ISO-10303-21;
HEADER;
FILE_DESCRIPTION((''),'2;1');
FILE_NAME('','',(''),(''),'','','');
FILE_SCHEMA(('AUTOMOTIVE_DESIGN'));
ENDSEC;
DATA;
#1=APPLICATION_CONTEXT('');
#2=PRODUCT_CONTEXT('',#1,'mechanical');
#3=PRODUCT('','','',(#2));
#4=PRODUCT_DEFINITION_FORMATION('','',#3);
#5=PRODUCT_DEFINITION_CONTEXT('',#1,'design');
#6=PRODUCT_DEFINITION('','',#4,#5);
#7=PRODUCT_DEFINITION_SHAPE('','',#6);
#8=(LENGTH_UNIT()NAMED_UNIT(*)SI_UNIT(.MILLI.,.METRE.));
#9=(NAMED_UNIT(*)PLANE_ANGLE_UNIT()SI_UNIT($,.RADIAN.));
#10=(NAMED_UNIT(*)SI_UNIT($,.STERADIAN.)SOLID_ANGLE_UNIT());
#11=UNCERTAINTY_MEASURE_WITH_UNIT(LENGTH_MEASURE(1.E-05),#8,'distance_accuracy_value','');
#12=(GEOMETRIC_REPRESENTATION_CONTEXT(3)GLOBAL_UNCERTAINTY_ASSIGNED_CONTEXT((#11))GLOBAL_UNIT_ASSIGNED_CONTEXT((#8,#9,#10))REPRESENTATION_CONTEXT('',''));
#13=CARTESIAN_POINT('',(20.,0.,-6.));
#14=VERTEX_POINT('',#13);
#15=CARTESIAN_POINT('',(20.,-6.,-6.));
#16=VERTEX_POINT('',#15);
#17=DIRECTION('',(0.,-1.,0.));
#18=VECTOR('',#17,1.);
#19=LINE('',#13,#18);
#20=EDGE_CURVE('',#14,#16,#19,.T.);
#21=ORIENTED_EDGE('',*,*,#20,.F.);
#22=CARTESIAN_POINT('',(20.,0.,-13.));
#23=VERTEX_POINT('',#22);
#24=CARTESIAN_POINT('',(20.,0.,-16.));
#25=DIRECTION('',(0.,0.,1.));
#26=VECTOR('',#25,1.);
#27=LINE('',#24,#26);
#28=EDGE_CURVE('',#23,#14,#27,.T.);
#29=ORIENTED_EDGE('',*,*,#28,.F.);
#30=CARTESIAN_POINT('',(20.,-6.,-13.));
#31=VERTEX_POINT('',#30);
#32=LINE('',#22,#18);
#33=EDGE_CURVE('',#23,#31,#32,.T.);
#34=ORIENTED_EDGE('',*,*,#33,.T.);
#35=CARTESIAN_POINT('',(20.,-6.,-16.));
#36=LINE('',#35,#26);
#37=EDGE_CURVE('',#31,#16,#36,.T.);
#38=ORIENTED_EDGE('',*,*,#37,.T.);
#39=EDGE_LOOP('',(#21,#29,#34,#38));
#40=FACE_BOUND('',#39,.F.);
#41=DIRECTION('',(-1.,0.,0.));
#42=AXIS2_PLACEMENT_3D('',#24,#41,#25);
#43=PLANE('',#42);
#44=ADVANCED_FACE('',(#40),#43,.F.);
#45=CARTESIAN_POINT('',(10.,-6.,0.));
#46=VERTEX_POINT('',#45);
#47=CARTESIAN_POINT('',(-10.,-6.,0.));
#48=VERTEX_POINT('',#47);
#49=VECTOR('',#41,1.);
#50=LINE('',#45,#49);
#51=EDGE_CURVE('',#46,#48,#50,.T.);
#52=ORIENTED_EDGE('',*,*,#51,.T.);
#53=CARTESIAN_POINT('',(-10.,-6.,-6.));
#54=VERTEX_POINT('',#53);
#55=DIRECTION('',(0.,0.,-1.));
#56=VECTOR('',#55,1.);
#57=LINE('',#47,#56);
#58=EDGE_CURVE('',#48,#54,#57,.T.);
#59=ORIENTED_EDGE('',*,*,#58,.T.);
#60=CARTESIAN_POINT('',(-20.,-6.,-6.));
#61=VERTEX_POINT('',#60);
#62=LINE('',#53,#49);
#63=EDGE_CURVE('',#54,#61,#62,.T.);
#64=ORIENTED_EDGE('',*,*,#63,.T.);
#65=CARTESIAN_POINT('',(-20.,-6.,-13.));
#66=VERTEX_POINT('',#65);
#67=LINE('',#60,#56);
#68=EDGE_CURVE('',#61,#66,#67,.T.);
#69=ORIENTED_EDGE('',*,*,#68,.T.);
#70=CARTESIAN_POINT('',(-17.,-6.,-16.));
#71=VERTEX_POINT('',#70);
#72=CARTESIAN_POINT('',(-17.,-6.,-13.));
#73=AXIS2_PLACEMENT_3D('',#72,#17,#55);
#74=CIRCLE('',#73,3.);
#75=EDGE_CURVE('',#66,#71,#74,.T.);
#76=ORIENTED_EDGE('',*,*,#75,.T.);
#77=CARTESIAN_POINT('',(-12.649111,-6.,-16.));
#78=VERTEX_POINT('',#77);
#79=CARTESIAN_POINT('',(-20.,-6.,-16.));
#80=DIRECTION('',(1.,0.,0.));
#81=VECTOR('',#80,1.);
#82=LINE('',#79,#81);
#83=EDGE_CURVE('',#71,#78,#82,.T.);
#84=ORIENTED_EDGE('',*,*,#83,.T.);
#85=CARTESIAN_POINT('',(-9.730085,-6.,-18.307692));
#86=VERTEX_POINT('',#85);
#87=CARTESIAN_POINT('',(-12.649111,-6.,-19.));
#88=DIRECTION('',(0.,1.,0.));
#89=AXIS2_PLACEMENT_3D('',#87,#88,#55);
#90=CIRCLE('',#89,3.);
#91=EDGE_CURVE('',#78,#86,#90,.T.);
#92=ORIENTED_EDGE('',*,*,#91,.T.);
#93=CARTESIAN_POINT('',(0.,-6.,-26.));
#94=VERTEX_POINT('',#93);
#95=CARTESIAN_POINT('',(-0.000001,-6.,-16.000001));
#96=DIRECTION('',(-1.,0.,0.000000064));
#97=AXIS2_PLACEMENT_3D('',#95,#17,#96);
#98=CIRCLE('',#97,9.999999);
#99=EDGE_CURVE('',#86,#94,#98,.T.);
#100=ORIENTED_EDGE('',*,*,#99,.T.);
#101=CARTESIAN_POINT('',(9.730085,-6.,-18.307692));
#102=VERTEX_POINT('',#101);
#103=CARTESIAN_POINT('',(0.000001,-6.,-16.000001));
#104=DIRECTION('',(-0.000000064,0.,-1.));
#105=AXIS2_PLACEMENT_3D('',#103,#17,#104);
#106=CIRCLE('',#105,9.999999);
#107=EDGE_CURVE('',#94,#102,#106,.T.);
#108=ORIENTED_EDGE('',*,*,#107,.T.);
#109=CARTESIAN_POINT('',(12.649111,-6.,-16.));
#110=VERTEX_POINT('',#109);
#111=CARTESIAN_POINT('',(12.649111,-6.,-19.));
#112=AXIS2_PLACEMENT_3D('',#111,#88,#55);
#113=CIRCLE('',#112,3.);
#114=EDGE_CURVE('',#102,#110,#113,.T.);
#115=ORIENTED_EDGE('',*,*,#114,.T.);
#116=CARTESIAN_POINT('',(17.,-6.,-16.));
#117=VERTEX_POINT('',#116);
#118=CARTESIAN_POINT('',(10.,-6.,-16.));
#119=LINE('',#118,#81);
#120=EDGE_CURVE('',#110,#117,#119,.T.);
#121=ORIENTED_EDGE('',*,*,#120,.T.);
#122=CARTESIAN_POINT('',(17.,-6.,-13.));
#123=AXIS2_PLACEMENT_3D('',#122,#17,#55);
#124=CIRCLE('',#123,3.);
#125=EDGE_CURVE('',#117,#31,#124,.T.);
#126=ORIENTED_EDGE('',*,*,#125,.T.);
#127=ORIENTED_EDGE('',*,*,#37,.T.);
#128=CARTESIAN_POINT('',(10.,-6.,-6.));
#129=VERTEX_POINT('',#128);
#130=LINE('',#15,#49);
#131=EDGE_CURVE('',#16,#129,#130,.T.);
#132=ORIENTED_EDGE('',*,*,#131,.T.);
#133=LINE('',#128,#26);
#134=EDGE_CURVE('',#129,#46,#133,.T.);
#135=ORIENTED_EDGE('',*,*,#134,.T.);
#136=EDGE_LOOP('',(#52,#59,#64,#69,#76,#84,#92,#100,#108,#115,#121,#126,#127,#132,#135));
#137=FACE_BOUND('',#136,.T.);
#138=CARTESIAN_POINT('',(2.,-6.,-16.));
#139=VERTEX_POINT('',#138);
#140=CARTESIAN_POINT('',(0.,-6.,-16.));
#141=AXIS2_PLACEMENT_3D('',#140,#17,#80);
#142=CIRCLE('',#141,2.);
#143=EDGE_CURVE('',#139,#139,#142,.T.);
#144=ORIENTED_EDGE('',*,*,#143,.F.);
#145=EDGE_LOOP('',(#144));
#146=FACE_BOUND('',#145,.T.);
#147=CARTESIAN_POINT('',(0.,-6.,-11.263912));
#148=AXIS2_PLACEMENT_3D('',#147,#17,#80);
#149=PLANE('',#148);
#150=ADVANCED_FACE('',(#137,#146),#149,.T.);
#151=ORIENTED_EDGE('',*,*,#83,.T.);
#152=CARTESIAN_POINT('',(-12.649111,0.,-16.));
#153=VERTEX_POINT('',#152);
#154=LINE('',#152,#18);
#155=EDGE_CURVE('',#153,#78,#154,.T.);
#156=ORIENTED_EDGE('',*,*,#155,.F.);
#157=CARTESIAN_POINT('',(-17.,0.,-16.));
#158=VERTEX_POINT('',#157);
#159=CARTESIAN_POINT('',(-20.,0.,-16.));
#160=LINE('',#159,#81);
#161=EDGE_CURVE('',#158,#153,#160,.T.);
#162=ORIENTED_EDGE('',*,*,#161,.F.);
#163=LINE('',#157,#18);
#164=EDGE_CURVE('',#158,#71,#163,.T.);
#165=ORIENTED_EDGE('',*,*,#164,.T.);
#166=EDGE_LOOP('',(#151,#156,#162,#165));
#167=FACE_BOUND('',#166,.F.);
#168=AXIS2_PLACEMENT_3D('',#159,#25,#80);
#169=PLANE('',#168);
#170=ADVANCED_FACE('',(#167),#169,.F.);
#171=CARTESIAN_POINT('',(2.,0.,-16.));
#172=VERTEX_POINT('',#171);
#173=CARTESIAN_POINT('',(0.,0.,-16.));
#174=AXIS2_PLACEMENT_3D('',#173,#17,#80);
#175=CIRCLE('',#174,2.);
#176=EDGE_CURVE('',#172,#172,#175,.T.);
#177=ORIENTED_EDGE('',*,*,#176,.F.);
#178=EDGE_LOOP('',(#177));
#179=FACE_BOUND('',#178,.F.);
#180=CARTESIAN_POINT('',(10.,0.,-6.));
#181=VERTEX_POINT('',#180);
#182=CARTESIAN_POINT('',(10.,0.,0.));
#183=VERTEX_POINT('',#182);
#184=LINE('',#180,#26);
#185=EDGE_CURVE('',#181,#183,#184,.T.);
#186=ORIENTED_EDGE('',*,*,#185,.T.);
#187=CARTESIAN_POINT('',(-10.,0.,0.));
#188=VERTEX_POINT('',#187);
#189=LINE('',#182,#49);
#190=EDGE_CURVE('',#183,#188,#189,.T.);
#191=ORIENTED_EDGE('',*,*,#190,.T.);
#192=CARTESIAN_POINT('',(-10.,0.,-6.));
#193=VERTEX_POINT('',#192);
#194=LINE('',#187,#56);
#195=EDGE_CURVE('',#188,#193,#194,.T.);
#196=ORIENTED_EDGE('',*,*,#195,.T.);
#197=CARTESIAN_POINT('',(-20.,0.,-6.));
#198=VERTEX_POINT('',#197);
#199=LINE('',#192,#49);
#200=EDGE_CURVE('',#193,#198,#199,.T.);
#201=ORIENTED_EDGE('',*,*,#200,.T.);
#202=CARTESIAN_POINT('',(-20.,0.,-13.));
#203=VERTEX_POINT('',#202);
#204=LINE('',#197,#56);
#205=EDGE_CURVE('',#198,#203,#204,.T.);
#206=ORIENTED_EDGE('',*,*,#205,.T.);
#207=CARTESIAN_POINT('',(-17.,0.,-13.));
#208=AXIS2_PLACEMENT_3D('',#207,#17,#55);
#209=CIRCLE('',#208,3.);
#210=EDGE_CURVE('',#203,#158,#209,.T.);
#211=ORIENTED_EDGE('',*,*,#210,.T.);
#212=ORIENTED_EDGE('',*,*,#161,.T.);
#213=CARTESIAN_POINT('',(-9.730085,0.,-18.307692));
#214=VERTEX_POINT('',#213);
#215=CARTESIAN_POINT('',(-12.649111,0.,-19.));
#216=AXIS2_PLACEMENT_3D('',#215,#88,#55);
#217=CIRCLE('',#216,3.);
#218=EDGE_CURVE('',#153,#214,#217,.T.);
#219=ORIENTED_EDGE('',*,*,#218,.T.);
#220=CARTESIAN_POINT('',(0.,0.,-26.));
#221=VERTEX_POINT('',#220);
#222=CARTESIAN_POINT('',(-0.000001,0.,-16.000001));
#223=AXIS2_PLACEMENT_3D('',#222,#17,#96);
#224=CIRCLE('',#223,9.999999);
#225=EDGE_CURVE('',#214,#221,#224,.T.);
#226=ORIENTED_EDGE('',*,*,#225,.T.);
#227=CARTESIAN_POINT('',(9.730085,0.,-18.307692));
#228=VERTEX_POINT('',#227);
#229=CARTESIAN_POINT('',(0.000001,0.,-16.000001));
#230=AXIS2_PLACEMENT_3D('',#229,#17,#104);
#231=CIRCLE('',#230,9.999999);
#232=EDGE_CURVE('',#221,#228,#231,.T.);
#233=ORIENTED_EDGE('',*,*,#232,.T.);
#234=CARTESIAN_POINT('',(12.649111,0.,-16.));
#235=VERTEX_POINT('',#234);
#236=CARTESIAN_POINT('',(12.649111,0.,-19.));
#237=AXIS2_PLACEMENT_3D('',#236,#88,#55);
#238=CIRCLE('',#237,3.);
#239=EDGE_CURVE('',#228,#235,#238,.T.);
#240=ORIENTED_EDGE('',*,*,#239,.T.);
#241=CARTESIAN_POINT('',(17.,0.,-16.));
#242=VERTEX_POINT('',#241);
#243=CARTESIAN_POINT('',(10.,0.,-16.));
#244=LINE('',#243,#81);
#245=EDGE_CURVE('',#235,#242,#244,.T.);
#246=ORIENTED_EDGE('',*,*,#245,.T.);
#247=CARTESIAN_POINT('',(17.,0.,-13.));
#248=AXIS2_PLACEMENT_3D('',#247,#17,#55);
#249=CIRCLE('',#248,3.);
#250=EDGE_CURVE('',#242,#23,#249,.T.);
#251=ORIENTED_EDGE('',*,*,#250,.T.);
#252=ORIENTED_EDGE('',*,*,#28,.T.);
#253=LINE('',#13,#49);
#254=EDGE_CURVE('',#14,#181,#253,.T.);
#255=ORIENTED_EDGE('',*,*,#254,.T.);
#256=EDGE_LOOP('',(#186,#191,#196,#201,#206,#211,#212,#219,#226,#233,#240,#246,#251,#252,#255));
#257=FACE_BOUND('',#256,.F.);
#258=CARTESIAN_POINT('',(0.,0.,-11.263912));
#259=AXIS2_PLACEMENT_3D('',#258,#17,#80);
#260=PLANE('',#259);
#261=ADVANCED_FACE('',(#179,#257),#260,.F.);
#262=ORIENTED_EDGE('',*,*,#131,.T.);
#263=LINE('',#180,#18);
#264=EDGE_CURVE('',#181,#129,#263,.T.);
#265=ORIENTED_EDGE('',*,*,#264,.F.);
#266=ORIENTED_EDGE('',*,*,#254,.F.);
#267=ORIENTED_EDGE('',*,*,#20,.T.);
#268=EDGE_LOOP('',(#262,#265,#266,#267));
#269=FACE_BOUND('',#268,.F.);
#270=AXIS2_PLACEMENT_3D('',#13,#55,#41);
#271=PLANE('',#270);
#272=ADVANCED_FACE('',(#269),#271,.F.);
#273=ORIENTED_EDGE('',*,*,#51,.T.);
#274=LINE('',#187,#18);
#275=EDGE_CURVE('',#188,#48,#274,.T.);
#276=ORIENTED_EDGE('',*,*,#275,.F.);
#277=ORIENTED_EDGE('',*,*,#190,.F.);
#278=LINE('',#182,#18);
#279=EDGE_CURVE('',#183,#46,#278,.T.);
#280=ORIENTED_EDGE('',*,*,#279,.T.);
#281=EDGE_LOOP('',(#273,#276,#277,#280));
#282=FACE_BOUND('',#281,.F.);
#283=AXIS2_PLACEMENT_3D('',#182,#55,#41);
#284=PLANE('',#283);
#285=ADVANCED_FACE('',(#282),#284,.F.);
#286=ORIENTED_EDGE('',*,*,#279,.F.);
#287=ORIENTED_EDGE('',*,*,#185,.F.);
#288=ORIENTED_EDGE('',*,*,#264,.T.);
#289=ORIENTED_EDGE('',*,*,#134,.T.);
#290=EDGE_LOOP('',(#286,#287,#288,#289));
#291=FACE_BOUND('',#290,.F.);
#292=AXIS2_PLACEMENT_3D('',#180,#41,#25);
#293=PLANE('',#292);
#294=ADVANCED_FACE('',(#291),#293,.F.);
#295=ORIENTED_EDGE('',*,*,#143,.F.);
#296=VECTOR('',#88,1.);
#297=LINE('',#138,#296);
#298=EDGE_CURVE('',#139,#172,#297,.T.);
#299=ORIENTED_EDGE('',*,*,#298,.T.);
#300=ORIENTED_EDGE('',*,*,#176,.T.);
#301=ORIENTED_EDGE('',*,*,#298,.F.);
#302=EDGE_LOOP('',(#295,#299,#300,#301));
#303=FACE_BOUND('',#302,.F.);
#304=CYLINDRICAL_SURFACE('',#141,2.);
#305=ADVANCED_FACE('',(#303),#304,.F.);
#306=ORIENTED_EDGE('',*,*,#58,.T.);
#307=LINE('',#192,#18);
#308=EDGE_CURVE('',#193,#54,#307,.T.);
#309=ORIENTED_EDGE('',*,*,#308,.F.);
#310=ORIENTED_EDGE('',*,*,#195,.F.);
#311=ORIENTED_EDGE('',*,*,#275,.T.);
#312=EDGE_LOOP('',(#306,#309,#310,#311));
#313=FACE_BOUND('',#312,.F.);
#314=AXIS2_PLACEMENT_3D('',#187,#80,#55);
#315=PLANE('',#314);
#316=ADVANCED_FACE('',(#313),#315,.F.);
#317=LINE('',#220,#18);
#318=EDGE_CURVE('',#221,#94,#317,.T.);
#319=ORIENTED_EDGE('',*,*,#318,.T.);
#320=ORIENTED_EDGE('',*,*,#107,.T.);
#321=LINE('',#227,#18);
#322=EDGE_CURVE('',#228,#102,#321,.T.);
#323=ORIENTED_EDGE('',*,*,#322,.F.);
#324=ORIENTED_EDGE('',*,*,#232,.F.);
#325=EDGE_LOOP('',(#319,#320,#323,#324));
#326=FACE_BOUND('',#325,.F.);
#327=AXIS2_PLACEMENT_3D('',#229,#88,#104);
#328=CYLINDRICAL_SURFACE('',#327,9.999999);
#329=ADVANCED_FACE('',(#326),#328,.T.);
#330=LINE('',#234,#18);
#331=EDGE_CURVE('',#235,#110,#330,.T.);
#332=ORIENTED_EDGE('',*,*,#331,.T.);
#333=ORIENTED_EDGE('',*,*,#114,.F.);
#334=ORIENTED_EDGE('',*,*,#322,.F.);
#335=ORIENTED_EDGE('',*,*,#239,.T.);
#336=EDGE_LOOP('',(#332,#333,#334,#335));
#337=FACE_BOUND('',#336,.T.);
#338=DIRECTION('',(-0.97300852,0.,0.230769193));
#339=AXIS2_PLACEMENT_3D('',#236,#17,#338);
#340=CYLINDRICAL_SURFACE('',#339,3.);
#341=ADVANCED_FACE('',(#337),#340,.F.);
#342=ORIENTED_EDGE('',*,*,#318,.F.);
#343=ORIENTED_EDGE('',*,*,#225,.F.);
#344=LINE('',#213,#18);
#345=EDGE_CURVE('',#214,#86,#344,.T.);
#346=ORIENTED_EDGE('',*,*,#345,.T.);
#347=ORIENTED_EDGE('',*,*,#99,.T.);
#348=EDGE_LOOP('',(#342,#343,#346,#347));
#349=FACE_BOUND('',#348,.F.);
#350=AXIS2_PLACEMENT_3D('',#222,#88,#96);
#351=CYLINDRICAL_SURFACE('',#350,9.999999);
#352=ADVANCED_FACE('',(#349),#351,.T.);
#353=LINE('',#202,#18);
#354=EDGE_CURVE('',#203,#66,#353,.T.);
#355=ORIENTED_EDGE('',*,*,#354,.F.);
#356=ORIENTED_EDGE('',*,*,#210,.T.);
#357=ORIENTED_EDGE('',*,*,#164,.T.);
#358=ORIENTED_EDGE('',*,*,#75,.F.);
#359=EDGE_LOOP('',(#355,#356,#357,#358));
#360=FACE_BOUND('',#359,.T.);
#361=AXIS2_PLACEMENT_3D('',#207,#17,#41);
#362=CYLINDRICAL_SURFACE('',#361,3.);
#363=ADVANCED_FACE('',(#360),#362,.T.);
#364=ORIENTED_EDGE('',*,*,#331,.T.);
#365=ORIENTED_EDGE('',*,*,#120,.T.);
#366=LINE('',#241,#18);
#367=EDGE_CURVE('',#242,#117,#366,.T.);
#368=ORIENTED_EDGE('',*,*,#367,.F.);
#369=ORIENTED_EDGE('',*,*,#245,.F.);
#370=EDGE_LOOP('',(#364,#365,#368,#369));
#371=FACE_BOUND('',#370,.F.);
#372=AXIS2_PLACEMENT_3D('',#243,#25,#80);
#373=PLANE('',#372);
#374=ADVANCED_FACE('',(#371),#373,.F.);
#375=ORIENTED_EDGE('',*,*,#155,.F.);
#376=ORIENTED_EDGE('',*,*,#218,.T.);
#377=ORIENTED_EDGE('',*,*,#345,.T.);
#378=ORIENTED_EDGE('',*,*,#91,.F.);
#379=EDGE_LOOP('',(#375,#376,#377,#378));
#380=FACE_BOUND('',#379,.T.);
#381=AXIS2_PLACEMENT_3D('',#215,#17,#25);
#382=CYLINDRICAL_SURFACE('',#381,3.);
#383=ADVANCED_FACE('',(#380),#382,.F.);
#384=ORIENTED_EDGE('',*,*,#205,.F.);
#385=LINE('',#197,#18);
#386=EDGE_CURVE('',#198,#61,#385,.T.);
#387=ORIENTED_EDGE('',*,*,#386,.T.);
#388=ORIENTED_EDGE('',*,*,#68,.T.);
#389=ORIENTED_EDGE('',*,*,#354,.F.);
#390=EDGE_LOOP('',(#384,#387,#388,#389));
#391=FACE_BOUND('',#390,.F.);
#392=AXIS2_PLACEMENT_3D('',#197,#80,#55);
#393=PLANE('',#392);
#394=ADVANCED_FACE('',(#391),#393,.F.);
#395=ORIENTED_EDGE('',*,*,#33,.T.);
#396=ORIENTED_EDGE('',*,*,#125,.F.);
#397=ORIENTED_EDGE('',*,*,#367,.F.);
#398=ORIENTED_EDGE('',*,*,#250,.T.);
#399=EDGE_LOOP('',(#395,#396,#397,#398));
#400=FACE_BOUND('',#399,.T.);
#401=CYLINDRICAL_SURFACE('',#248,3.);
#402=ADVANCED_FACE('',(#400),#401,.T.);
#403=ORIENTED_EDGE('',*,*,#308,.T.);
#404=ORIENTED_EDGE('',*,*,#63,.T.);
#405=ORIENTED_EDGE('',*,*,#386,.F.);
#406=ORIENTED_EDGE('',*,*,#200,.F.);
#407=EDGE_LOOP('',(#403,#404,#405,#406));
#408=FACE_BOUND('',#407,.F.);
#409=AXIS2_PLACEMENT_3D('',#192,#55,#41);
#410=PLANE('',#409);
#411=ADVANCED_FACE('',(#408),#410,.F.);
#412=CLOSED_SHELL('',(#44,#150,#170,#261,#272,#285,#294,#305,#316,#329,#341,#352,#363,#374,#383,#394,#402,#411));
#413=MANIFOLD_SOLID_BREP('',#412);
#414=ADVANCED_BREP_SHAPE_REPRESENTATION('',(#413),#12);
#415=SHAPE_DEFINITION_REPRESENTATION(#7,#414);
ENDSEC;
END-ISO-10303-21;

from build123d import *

# Parameters (mm, degrees)
F1_DEPTH = 6
F3_R     = 3
F2_R     = 2
F4_DEPTH = 6.001


with BuildPart() as f1:
    # F0 (on Front) → F1 (new body)
    with BuildSketch(Plane.XZ):
        with BuildLine():
            Line((10, 0), (0, 0))
            Line((0, 0), (-10, 0))
            Line((-10, 0), (-10, -6))
            Line((-10, -6), (-20, -6))
            Line((-20, -6), (-20, -16))
            Line((-20, -16), (-10, -16))
            ThreePointArc((-10, -16), (-7.071068, -23.071068), (0, -26))
            ThreePointArc((0, -26), (7.071068, -23.071068), (10, -16))
            Line((10, -16), (20, -16))
            Line((20, -16), (20, -6))
            Line((20, -6), (10, -6))
            Line((10, -6), (10, 0))
        make_face()
    extrude(amount=F1_DEPTH)

    # F3
    f3_edges = [f1.edges().sort_by_distance(p)[0] for p in [
        (10, -3, -16),
        (-10, -3, -16),
        (20, -3, -16),
        (-20, -3, -16),
    ]]
    fillet(f3_edges, radius=F3_R)

    # F2 (on face) → F4 (cut, through all)
    with BuildSketch(Plane.XZ.offset(6)):
        with Locations((0, -16)):
            Circle(F2_R)
    extrude(amount=-F4_DEPTH, mode=Mode.SUBTRACT)


solid = f1.part
